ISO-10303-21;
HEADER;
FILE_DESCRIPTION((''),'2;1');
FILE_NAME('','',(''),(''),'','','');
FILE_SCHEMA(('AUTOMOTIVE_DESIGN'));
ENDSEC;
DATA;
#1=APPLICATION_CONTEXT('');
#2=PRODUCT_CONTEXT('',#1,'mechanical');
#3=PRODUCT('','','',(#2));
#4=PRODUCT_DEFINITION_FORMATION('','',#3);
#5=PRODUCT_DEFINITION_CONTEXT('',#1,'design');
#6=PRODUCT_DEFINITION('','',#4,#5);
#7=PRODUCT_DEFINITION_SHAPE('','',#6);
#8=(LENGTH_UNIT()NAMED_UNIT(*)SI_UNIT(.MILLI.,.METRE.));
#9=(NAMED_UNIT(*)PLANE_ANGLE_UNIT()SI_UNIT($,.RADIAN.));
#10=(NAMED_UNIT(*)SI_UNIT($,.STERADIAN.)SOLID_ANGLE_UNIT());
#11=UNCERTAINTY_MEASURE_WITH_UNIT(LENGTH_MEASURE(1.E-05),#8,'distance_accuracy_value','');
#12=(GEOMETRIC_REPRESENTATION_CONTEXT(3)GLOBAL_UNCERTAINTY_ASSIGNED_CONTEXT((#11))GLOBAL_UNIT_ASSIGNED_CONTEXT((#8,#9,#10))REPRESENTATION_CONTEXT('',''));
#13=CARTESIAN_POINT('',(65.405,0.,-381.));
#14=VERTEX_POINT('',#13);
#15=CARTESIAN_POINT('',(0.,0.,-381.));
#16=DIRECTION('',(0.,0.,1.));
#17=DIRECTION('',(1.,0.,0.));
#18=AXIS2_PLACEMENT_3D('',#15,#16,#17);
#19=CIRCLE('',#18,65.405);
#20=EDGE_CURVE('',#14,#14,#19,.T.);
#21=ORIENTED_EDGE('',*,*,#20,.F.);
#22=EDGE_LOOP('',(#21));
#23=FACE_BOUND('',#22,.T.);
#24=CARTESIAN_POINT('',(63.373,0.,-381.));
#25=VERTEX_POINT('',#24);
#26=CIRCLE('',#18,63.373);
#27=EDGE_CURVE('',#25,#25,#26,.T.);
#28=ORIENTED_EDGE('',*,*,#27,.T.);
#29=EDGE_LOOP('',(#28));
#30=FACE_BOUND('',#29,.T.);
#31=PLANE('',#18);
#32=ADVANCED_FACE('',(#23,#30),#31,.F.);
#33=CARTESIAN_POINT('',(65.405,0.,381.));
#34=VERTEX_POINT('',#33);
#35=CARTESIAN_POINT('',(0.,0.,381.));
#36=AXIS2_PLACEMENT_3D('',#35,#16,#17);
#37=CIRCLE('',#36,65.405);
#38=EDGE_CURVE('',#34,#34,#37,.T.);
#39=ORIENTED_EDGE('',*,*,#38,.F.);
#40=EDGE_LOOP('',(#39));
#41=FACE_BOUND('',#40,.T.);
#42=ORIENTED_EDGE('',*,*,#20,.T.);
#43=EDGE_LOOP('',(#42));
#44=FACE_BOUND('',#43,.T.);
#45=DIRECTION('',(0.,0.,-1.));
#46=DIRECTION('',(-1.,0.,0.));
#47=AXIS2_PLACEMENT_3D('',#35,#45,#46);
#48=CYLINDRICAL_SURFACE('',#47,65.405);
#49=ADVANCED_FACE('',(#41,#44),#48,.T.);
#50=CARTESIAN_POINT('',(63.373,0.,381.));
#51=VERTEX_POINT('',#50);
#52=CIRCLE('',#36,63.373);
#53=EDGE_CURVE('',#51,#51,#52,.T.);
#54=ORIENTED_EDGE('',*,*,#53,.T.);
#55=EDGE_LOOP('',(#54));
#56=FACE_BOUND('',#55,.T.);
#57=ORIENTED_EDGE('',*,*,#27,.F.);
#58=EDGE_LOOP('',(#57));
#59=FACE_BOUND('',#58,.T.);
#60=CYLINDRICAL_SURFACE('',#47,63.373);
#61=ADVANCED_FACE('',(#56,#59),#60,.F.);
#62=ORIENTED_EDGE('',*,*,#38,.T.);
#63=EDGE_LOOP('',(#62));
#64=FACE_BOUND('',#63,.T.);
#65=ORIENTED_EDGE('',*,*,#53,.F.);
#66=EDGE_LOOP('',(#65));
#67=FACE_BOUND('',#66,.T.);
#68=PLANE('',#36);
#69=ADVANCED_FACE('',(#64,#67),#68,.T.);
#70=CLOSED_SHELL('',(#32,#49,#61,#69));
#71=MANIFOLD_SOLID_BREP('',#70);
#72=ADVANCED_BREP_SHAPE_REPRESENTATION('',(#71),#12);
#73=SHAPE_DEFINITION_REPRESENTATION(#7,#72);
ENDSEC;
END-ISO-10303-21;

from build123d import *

# Parameters (mm, degrees)
SKETCH1_R           = 65.405
SKETCH1_R_2         = 63.373
BOSS_EXTRUDE1_DEPTH = 381


with BuildPart() as part:
    # Sketch1 → Boss-Extrude1 (new body, symmetric)
    with BuildSketch(Plane.XY):
        Circle(SKETCH1_R)
        Circle(SKETCH1_R_2, mode=Mode.SUBTRACT)
    extrude(amount=BOSS_EXTRUDE1_DEPTH, both=True)


solid = part.part
